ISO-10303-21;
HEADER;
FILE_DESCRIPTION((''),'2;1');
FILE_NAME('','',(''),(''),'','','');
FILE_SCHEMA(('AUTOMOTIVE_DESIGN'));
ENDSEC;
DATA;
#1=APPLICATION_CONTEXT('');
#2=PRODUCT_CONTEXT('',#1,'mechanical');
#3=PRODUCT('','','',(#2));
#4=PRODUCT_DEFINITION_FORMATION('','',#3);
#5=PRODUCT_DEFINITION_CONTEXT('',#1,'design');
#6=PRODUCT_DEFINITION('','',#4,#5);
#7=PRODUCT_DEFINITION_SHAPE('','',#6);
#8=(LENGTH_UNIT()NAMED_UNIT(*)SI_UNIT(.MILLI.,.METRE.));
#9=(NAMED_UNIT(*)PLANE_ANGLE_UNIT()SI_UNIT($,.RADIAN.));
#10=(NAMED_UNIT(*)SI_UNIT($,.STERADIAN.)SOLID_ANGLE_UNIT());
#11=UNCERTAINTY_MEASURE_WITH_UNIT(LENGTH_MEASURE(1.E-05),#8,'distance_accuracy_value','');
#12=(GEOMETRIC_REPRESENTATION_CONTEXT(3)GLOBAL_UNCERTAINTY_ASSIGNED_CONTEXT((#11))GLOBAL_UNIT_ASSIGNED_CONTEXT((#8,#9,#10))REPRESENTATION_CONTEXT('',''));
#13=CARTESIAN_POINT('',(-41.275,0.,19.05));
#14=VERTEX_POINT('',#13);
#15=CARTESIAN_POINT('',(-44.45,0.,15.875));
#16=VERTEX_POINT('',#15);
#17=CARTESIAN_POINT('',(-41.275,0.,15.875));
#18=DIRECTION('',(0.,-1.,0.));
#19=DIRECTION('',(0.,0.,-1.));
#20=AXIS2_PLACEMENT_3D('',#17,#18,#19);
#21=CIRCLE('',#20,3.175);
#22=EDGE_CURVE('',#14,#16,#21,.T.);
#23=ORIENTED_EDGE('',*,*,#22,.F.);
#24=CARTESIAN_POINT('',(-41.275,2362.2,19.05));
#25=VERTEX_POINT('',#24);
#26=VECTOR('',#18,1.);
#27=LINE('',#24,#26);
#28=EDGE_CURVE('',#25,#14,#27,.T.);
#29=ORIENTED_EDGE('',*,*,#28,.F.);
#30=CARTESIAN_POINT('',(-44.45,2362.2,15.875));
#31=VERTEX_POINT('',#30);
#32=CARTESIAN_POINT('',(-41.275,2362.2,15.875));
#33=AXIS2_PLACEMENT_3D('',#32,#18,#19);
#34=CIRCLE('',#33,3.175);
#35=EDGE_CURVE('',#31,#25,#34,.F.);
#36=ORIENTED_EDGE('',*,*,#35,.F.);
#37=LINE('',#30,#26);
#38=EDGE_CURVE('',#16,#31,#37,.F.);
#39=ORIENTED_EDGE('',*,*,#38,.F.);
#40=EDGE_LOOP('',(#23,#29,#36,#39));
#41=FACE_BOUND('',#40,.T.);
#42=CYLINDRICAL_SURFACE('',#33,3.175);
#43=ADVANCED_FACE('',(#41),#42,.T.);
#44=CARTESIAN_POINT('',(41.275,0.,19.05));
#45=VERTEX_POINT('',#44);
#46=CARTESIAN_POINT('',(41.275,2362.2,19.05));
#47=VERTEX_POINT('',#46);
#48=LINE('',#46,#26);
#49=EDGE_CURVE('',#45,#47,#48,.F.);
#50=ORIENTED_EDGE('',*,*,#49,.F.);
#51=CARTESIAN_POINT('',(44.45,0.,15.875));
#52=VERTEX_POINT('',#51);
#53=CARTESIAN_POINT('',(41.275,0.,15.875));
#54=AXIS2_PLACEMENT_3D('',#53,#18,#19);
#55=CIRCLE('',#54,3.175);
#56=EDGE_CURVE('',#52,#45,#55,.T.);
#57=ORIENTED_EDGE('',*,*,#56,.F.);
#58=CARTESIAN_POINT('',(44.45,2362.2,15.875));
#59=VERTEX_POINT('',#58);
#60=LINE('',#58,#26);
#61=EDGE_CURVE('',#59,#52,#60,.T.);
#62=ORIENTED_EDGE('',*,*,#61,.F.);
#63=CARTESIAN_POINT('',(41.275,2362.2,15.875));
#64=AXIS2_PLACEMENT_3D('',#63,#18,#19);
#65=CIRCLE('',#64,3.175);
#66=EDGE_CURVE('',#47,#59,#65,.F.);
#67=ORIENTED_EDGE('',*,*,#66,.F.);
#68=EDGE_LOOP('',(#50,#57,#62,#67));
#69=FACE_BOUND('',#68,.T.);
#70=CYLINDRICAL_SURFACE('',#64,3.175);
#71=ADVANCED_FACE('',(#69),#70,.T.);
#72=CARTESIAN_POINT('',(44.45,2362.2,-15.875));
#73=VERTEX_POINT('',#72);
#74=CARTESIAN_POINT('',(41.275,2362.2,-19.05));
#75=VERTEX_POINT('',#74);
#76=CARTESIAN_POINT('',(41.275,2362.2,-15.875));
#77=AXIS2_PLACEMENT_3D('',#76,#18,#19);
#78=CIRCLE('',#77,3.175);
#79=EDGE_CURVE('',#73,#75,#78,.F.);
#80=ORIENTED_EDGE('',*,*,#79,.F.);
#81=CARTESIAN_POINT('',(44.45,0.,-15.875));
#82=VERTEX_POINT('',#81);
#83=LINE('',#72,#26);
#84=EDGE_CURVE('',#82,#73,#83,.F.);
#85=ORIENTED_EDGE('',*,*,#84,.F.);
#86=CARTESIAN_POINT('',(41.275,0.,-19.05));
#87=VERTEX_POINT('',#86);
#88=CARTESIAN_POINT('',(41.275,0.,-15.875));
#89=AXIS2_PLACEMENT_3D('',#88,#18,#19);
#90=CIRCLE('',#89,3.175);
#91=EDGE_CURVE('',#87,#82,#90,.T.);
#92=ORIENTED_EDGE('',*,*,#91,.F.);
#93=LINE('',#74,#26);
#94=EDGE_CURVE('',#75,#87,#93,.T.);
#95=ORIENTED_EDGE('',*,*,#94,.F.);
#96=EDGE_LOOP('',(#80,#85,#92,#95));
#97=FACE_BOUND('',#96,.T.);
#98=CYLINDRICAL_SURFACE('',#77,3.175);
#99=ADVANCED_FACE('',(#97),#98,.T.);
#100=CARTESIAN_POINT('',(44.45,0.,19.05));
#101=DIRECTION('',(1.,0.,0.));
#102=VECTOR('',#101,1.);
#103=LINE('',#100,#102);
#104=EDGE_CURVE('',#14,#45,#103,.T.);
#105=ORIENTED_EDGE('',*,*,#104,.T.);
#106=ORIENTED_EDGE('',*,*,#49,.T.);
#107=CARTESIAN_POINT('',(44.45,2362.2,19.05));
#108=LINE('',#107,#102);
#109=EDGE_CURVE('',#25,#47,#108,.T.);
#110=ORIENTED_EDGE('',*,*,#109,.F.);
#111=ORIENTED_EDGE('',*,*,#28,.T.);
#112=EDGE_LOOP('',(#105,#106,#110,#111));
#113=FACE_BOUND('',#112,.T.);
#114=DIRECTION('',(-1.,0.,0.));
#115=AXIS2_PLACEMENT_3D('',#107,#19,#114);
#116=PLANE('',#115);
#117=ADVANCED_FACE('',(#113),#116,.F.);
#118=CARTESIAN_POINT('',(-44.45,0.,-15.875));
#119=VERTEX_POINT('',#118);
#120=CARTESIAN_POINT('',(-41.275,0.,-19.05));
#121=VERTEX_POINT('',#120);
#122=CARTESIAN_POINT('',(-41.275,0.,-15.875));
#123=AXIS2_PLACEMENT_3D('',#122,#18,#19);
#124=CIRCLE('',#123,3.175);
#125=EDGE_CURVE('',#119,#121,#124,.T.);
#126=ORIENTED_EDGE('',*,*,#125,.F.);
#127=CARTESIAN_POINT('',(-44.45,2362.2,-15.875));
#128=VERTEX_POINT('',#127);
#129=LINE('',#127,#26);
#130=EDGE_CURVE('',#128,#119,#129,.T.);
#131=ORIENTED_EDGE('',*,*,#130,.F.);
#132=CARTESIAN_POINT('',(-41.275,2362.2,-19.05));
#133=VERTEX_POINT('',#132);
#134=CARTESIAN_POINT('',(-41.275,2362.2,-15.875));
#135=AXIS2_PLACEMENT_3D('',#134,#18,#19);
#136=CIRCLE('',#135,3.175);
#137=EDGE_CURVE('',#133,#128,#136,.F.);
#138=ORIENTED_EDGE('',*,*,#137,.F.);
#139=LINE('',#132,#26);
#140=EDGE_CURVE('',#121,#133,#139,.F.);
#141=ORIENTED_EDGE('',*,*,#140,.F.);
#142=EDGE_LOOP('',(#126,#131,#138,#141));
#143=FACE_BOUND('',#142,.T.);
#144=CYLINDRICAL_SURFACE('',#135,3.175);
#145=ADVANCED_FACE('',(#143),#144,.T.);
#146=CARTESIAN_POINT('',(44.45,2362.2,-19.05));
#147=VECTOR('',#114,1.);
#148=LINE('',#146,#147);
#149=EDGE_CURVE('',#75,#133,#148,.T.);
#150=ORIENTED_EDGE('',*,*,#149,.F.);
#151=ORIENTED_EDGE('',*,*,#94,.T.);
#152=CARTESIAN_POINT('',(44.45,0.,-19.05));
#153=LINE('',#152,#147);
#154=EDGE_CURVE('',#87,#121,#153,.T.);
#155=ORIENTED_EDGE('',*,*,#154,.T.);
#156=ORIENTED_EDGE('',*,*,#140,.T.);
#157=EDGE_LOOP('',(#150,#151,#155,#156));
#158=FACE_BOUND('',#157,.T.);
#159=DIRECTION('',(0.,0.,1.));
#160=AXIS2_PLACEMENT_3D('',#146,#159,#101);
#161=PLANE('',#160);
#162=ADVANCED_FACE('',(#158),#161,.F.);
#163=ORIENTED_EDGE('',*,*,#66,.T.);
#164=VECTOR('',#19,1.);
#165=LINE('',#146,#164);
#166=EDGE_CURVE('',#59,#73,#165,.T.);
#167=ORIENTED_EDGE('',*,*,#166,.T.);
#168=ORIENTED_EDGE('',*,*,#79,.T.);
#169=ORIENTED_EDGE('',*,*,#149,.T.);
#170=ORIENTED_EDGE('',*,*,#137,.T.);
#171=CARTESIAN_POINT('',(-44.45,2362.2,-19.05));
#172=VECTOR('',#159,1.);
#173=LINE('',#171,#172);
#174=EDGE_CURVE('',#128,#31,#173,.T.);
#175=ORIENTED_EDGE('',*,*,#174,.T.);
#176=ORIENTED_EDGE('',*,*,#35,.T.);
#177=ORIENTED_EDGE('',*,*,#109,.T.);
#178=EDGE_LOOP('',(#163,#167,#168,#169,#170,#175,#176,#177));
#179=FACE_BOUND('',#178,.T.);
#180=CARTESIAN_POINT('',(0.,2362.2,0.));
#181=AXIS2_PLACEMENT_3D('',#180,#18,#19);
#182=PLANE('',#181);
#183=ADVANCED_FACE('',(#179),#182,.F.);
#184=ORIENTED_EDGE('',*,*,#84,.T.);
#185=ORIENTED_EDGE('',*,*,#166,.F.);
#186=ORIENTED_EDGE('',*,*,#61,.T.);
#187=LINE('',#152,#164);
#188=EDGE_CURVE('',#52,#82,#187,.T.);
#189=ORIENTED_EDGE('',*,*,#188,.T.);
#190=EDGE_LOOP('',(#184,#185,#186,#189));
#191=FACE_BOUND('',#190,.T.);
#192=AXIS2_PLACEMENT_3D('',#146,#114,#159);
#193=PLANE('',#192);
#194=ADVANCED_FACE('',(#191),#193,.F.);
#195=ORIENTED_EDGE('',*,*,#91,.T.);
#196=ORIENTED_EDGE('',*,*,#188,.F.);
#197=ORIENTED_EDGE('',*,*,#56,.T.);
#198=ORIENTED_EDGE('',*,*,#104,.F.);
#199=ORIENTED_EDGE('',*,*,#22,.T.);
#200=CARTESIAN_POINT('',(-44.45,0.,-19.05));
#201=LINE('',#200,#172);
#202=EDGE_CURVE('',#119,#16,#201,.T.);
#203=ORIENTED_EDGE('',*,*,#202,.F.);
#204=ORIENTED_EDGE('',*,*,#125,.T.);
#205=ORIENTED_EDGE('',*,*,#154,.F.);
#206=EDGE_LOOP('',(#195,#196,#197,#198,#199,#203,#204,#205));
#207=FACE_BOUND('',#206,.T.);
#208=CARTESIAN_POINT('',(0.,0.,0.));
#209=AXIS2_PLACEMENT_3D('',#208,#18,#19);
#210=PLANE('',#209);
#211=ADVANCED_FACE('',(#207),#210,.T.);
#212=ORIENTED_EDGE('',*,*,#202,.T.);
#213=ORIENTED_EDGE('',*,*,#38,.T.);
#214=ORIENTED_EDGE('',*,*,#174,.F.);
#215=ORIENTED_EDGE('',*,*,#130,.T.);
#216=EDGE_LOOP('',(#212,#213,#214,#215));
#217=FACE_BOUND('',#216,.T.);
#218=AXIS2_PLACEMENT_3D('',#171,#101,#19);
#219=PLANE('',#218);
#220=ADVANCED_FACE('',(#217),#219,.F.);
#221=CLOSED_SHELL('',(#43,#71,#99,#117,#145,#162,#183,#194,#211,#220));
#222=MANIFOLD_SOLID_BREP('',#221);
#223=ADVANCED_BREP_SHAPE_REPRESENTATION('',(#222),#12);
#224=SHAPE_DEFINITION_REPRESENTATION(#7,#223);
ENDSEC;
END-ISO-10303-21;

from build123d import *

# Parameters (mm, degrees)
SKETCH1_W           = 88.9
SKETCH1_H           = 38.1
BOSS_EXTRUDE1_DEPTH = 2362.2
FILLET1_R           = 3.175


with BuildPart() as part:
    # Sketch1 → Boss-Extrude1 (new body)
    with BuildSketch(Plane(origin=(0, 0, 0), x_dir=(1, 0, 0), z_dir=(0, 1, 0))):
        Rectangle(SKETCH1_W, SKETCH1_H)
    extrude(amount=BOSS_EXTRUDE1_DEPTH)

    # Fillet1
    fillet1_edges = [part.edges().sort_by_distance(p)[0] for p in [
        (-44.45, 1181.1, -19.05),
        (44.45, 1181.1, -19.05),
        (44.45, 1181.1, 19.05),
        (-44.45, 1181.1, 19.05),
    ]]
    fillet(fillet1_edges, radius=FILLET1_R)


solid = part.part
